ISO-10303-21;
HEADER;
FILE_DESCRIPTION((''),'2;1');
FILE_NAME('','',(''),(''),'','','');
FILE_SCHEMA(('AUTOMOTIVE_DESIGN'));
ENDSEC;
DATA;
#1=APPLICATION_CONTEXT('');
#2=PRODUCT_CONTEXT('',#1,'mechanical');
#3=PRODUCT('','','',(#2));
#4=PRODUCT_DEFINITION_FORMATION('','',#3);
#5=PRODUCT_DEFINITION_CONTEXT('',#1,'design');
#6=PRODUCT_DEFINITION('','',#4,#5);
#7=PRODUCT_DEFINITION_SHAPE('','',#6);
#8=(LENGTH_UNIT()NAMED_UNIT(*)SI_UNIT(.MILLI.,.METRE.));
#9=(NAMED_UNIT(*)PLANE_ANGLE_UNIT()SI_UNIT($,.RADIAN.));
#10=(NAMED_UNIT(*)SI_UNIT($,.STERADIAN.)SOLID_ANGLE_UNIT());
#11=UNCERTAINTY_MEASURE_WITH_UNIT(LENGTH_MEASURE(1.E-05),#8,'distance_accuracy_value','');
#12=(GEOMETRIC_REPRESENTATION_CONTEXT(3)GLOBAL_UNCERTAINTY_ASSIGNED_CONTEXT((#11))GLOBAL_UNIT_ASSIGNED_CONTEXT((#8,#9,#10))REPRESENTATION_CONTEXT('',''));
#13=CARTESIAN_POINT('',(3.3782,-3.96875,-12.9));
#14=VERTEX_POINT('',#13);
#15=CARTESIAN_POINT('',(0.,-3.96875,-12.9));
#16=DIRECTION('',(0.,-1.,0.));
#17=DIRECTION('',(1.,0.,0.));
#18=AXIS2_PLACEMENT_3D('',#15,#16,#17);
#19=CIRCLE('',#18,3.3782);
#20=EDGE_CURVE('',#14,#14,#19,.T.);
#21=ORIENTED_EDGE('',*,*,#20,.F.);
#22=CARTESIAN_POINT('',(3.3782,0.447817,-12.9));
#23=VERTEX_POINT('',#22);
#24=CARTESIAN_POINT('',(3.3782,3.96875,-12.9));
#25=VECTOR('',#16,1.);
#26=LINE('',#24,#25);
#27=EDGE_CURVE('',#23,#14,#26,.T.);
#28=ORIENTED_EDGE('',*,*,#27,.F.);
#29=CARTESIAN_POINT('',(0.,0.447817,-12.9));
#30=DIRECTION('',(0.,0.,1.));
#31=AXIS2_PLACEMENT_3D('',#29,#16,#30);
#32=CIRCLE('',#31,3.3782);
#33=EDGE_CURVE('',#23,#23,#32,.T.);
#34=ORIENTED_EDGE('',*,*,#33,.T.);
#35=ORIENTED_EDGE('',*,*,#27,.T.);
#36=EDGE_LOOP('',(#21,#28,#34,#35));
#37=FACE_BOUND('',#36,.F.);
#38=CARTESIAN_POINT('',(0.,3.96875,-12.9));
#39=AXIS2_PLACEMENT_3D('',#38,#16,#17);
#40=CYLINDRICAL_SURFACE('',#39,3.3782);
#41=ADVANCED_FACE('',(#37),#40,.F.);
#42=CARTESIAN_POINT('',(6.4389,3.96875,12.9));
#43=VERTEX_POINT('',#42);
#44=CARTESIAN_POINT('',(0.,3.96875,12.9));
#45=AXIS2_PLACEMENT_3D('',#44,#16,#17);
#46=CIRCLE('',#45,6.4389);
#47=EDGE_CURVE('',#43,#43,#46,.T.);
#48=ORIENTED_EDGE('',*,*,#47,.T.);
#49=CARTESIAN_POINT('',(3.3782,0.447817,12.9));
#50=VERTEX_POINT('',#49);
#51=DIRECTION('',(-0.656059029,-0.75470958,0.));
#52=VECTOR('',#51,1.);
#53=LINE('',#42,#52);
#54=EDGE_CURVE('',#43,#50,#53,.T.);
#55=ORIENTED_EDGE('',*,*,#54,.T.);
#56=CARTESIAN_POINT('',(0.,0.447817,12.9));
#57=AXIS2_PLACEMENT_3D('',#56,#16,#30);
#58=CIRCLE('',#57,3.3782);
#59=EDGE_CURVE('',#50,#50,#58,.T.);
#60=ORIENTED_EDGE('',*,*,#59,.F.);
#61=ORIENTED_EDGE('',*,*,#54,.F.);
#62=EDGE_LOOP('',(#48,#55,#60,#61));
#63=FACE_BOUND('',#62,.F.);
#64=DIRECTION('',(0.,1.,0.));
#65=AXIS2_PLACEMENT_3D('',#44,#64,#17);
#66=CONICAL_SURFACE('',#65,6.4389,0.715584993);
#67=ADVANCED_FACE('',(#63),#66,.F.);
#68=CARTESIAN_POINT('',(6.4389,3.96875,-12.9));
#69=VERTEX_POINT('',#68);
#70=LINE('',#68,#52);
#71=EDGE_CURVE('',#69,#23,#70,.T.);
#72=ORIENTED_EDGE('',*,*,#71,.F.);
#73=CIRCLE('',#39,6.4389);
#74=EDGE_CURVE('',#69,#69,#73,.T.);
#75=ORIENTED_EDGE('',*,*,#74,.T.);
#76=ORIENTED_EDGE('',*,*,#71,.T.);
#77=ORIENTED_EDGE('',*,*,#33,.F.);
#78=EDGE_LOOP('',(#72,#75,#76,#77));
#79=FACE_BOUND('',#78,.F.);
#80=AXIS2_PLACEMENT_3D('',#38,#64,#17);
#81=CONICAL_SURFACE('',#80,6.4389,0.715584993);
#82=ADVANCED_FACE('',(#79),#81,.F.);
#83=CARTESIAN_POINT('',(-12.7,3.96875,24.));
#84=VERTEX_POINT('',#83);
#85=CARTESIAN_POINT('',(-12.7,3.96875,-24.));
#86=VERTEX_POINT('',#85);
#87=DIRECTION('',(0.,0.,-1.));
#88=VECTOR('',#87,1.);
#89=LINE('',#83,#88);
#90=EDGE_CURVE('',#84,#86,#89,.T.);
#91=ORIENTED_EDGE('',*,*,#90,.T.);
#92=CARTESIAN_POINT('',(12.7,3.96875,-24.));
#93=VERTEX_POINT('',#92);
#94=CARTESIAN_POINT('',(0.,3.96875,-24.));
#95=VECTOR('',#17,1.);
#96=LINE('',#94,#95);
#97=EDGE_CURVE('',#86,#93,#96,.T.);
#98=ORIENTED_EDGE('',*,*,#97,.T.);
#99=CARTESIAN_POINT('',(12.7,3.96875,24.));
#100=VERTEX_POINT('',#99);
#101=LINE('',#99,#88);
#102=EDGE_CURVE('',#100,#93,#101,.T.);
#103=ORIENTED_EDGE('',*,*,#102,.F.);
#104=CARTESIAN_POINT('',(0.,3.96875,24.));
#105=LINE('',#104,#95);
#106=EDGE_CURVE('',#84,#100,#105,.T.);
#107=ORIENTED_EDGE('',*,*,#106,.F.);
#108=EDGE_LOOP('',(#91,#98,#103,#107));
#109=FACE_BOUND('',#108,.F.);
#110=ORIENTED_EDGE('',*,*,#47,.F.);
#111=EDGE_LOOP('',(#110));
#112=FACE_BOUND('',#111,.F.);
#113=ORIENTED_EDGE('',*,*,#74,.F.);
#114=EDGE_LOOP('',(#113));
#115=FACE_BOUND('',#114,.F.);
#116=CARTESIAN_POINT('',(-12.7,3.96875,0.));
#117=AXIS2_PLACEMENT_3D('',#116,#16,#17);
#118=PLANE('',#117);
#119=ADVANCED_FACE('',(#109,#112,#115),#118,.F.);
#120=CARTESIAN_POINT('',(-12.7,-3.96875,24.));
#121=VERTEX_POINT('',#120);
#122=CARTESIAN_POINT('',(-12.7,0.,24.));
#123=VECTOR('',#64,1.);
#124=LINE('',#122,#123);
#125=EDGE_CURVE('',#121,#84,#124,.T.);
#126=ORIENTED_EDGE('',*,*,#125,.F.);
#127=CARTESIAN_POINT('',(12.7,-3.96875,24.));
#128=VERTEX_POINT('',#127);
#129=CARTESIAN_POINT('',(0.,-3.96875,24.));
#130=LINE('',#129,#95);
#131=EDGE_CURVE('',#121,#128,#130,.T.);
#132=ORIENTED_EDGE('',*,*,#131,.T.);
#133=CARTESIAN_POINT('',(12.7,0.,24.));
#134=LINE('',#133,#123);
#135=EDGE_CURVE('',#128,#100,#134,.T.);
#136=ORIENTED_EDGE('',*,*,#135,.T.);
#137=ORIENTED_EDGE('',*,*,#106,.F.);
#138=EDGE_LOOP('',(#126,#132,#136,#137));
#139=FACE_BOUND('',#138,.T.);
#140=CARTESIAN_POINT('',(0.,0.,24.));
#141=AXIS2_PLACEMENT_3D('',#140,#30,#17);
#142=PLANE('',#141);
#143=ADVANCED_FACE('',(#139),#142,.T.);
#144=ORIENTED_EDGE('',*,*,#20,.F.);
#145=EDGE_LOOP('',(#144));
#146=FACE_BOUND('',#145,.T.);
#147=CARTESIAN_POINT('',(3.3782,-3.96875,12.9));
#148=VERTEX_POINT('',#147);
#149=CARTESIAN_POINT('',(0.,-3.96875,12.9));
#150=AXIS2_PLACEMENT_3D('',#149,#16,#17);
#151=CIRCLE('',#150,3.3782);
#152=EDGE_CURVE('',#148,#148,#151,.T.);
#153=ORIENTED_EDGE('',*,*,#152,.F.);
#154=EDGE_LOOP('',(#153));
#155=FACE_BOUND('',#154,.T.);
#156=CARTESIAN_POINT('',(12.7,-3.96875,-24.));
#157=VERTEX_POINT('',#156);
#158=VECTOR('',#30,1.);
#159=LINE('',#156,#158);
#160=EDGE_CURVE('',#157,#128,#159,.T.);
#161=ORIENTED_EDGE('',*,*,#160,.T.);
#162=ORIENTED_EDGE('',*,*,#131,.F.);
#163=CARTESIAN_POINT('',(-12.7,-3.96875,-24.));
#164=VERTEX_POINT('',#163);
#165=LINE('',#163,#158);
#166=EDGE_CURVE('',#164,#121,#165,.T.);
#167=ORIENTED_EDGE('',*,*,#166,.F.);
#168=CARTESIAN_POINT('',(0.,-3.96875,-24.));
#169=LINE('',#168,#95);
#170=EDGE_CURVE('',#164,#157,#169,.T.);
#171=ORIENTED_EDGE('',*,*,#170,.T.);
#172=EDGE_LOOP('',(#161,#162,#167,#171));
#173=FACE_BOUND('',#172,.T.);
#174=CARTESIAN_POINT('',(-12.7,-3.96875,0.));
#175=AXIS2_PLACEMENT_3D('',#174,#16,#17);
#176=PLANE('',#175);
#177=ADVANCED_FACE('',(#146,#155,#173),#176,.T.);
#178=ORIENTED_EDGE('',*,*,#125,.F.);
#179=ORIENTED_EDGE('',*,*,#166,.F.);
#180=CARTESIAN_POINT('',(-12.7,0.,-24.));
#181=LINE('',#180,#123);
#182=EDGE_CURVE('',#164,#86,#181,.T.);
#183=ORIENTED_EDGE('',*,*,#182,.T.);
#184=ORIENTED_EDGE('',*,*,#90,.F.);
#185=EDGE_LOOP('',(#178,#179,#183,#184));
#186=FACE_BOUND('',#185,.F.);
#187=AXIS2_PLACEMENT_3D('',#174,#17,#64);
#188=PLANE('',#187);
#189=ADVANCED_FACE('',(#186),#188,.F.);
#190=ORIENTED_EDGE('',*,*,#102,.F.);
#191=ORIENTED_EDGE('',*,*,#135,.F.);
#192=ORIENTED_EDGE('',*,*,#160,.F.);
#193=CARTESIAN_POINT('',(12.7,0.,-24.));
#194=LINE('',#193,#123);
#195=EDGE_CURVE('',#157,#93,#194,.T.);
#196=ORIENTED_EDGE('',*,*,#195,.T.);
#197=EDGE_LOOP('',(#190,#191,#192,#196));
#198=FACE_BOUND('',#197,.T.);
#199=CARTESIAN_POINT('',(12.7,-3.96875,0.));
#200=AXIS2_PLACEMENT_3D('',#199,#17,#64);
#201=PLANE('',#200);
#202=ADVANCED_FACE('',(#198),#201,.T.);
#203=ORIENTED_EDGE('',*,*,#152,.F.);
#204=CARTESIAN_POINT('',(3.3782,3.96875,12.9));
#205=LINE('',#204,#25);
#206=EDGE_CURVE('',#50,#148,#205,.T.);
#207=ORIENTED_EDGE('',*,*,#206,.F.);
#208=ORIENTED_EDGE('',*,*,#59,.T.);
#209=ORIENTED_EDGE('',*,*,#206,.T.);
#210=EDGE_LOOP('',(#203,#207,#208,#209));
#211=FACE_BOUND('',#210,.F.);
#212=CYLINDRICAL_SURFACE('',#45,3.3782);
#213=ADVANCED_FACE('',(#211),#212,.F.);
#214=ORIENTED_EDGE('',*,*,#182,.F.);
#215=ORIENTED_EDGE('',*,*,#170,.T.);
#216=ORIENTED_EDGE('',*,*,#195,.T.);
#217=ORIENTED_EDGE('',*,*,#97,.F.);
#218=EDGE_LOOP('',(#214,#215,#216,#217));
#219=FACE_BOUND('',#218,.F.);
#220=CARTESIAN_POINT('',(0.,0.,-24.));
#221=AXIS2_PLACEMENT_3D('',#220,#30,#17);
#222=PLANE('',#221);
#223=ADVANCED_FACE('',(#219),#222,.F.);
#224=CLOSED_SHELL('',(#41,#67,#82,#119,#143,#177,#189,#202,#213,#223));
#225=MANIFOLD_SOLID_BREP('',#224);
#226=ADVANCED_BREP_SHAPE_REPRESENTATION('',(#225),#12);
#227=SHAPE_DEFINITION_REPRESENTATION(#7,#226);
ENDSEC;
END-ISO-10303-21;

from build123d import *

# Parameters (mm, degrees)
SKETCH3_W                                        = 25.4
SKETCH3_H                                        = 7.9375
BOSS_EXTRUDE1_DEPTH                              = 24
CSK_FOR_1_4_FLAT_HEAD_MACHINE_SCREW1_D           = 6.7564
CSK_FOR_1_4_FLAT_HEAD_MACHINE_SCREW1_CSINK_D     = 12.8778
CSK_FOR_1_4_FLAT_HEAD_MACHINE_SCREW1_CSINK_ANGLE = 82


with BuildPart() as part:
    # Sketch3 → Boss-Extrude1 (new body, symmetric)
    with BuildSketch(Plane.XY):
        Rectangle(SKETCH3_W, SKETCH3_H)
    extrude(amount=BOSS_EXTRUDE1_DEPTH, both=True)

    # CSK for 1/4 Flat Head Machine Screw1 (through all)
    with Locations(Plane(origin=(0, 3.96875, 0), x_dir=(-1, 0, 0), z_dir=(0, 1, 0))):
        with Locations((0, 12.9), (0, -12.9)):
            CounterSinkHole(CSK_FOR_1_4_FLAT_HEAD_MACHINE_SCREW1_D / 2, CSK_FOR_1_4_FLAT_HEAD_MACHINE_SCREW1_CSINK_D / 2, counter_sink_angle=CSK_FOR_1_4_FLAT_HEAD_MACHINE_SCREW1_CSINK_ANGLE)


solid = part.part
